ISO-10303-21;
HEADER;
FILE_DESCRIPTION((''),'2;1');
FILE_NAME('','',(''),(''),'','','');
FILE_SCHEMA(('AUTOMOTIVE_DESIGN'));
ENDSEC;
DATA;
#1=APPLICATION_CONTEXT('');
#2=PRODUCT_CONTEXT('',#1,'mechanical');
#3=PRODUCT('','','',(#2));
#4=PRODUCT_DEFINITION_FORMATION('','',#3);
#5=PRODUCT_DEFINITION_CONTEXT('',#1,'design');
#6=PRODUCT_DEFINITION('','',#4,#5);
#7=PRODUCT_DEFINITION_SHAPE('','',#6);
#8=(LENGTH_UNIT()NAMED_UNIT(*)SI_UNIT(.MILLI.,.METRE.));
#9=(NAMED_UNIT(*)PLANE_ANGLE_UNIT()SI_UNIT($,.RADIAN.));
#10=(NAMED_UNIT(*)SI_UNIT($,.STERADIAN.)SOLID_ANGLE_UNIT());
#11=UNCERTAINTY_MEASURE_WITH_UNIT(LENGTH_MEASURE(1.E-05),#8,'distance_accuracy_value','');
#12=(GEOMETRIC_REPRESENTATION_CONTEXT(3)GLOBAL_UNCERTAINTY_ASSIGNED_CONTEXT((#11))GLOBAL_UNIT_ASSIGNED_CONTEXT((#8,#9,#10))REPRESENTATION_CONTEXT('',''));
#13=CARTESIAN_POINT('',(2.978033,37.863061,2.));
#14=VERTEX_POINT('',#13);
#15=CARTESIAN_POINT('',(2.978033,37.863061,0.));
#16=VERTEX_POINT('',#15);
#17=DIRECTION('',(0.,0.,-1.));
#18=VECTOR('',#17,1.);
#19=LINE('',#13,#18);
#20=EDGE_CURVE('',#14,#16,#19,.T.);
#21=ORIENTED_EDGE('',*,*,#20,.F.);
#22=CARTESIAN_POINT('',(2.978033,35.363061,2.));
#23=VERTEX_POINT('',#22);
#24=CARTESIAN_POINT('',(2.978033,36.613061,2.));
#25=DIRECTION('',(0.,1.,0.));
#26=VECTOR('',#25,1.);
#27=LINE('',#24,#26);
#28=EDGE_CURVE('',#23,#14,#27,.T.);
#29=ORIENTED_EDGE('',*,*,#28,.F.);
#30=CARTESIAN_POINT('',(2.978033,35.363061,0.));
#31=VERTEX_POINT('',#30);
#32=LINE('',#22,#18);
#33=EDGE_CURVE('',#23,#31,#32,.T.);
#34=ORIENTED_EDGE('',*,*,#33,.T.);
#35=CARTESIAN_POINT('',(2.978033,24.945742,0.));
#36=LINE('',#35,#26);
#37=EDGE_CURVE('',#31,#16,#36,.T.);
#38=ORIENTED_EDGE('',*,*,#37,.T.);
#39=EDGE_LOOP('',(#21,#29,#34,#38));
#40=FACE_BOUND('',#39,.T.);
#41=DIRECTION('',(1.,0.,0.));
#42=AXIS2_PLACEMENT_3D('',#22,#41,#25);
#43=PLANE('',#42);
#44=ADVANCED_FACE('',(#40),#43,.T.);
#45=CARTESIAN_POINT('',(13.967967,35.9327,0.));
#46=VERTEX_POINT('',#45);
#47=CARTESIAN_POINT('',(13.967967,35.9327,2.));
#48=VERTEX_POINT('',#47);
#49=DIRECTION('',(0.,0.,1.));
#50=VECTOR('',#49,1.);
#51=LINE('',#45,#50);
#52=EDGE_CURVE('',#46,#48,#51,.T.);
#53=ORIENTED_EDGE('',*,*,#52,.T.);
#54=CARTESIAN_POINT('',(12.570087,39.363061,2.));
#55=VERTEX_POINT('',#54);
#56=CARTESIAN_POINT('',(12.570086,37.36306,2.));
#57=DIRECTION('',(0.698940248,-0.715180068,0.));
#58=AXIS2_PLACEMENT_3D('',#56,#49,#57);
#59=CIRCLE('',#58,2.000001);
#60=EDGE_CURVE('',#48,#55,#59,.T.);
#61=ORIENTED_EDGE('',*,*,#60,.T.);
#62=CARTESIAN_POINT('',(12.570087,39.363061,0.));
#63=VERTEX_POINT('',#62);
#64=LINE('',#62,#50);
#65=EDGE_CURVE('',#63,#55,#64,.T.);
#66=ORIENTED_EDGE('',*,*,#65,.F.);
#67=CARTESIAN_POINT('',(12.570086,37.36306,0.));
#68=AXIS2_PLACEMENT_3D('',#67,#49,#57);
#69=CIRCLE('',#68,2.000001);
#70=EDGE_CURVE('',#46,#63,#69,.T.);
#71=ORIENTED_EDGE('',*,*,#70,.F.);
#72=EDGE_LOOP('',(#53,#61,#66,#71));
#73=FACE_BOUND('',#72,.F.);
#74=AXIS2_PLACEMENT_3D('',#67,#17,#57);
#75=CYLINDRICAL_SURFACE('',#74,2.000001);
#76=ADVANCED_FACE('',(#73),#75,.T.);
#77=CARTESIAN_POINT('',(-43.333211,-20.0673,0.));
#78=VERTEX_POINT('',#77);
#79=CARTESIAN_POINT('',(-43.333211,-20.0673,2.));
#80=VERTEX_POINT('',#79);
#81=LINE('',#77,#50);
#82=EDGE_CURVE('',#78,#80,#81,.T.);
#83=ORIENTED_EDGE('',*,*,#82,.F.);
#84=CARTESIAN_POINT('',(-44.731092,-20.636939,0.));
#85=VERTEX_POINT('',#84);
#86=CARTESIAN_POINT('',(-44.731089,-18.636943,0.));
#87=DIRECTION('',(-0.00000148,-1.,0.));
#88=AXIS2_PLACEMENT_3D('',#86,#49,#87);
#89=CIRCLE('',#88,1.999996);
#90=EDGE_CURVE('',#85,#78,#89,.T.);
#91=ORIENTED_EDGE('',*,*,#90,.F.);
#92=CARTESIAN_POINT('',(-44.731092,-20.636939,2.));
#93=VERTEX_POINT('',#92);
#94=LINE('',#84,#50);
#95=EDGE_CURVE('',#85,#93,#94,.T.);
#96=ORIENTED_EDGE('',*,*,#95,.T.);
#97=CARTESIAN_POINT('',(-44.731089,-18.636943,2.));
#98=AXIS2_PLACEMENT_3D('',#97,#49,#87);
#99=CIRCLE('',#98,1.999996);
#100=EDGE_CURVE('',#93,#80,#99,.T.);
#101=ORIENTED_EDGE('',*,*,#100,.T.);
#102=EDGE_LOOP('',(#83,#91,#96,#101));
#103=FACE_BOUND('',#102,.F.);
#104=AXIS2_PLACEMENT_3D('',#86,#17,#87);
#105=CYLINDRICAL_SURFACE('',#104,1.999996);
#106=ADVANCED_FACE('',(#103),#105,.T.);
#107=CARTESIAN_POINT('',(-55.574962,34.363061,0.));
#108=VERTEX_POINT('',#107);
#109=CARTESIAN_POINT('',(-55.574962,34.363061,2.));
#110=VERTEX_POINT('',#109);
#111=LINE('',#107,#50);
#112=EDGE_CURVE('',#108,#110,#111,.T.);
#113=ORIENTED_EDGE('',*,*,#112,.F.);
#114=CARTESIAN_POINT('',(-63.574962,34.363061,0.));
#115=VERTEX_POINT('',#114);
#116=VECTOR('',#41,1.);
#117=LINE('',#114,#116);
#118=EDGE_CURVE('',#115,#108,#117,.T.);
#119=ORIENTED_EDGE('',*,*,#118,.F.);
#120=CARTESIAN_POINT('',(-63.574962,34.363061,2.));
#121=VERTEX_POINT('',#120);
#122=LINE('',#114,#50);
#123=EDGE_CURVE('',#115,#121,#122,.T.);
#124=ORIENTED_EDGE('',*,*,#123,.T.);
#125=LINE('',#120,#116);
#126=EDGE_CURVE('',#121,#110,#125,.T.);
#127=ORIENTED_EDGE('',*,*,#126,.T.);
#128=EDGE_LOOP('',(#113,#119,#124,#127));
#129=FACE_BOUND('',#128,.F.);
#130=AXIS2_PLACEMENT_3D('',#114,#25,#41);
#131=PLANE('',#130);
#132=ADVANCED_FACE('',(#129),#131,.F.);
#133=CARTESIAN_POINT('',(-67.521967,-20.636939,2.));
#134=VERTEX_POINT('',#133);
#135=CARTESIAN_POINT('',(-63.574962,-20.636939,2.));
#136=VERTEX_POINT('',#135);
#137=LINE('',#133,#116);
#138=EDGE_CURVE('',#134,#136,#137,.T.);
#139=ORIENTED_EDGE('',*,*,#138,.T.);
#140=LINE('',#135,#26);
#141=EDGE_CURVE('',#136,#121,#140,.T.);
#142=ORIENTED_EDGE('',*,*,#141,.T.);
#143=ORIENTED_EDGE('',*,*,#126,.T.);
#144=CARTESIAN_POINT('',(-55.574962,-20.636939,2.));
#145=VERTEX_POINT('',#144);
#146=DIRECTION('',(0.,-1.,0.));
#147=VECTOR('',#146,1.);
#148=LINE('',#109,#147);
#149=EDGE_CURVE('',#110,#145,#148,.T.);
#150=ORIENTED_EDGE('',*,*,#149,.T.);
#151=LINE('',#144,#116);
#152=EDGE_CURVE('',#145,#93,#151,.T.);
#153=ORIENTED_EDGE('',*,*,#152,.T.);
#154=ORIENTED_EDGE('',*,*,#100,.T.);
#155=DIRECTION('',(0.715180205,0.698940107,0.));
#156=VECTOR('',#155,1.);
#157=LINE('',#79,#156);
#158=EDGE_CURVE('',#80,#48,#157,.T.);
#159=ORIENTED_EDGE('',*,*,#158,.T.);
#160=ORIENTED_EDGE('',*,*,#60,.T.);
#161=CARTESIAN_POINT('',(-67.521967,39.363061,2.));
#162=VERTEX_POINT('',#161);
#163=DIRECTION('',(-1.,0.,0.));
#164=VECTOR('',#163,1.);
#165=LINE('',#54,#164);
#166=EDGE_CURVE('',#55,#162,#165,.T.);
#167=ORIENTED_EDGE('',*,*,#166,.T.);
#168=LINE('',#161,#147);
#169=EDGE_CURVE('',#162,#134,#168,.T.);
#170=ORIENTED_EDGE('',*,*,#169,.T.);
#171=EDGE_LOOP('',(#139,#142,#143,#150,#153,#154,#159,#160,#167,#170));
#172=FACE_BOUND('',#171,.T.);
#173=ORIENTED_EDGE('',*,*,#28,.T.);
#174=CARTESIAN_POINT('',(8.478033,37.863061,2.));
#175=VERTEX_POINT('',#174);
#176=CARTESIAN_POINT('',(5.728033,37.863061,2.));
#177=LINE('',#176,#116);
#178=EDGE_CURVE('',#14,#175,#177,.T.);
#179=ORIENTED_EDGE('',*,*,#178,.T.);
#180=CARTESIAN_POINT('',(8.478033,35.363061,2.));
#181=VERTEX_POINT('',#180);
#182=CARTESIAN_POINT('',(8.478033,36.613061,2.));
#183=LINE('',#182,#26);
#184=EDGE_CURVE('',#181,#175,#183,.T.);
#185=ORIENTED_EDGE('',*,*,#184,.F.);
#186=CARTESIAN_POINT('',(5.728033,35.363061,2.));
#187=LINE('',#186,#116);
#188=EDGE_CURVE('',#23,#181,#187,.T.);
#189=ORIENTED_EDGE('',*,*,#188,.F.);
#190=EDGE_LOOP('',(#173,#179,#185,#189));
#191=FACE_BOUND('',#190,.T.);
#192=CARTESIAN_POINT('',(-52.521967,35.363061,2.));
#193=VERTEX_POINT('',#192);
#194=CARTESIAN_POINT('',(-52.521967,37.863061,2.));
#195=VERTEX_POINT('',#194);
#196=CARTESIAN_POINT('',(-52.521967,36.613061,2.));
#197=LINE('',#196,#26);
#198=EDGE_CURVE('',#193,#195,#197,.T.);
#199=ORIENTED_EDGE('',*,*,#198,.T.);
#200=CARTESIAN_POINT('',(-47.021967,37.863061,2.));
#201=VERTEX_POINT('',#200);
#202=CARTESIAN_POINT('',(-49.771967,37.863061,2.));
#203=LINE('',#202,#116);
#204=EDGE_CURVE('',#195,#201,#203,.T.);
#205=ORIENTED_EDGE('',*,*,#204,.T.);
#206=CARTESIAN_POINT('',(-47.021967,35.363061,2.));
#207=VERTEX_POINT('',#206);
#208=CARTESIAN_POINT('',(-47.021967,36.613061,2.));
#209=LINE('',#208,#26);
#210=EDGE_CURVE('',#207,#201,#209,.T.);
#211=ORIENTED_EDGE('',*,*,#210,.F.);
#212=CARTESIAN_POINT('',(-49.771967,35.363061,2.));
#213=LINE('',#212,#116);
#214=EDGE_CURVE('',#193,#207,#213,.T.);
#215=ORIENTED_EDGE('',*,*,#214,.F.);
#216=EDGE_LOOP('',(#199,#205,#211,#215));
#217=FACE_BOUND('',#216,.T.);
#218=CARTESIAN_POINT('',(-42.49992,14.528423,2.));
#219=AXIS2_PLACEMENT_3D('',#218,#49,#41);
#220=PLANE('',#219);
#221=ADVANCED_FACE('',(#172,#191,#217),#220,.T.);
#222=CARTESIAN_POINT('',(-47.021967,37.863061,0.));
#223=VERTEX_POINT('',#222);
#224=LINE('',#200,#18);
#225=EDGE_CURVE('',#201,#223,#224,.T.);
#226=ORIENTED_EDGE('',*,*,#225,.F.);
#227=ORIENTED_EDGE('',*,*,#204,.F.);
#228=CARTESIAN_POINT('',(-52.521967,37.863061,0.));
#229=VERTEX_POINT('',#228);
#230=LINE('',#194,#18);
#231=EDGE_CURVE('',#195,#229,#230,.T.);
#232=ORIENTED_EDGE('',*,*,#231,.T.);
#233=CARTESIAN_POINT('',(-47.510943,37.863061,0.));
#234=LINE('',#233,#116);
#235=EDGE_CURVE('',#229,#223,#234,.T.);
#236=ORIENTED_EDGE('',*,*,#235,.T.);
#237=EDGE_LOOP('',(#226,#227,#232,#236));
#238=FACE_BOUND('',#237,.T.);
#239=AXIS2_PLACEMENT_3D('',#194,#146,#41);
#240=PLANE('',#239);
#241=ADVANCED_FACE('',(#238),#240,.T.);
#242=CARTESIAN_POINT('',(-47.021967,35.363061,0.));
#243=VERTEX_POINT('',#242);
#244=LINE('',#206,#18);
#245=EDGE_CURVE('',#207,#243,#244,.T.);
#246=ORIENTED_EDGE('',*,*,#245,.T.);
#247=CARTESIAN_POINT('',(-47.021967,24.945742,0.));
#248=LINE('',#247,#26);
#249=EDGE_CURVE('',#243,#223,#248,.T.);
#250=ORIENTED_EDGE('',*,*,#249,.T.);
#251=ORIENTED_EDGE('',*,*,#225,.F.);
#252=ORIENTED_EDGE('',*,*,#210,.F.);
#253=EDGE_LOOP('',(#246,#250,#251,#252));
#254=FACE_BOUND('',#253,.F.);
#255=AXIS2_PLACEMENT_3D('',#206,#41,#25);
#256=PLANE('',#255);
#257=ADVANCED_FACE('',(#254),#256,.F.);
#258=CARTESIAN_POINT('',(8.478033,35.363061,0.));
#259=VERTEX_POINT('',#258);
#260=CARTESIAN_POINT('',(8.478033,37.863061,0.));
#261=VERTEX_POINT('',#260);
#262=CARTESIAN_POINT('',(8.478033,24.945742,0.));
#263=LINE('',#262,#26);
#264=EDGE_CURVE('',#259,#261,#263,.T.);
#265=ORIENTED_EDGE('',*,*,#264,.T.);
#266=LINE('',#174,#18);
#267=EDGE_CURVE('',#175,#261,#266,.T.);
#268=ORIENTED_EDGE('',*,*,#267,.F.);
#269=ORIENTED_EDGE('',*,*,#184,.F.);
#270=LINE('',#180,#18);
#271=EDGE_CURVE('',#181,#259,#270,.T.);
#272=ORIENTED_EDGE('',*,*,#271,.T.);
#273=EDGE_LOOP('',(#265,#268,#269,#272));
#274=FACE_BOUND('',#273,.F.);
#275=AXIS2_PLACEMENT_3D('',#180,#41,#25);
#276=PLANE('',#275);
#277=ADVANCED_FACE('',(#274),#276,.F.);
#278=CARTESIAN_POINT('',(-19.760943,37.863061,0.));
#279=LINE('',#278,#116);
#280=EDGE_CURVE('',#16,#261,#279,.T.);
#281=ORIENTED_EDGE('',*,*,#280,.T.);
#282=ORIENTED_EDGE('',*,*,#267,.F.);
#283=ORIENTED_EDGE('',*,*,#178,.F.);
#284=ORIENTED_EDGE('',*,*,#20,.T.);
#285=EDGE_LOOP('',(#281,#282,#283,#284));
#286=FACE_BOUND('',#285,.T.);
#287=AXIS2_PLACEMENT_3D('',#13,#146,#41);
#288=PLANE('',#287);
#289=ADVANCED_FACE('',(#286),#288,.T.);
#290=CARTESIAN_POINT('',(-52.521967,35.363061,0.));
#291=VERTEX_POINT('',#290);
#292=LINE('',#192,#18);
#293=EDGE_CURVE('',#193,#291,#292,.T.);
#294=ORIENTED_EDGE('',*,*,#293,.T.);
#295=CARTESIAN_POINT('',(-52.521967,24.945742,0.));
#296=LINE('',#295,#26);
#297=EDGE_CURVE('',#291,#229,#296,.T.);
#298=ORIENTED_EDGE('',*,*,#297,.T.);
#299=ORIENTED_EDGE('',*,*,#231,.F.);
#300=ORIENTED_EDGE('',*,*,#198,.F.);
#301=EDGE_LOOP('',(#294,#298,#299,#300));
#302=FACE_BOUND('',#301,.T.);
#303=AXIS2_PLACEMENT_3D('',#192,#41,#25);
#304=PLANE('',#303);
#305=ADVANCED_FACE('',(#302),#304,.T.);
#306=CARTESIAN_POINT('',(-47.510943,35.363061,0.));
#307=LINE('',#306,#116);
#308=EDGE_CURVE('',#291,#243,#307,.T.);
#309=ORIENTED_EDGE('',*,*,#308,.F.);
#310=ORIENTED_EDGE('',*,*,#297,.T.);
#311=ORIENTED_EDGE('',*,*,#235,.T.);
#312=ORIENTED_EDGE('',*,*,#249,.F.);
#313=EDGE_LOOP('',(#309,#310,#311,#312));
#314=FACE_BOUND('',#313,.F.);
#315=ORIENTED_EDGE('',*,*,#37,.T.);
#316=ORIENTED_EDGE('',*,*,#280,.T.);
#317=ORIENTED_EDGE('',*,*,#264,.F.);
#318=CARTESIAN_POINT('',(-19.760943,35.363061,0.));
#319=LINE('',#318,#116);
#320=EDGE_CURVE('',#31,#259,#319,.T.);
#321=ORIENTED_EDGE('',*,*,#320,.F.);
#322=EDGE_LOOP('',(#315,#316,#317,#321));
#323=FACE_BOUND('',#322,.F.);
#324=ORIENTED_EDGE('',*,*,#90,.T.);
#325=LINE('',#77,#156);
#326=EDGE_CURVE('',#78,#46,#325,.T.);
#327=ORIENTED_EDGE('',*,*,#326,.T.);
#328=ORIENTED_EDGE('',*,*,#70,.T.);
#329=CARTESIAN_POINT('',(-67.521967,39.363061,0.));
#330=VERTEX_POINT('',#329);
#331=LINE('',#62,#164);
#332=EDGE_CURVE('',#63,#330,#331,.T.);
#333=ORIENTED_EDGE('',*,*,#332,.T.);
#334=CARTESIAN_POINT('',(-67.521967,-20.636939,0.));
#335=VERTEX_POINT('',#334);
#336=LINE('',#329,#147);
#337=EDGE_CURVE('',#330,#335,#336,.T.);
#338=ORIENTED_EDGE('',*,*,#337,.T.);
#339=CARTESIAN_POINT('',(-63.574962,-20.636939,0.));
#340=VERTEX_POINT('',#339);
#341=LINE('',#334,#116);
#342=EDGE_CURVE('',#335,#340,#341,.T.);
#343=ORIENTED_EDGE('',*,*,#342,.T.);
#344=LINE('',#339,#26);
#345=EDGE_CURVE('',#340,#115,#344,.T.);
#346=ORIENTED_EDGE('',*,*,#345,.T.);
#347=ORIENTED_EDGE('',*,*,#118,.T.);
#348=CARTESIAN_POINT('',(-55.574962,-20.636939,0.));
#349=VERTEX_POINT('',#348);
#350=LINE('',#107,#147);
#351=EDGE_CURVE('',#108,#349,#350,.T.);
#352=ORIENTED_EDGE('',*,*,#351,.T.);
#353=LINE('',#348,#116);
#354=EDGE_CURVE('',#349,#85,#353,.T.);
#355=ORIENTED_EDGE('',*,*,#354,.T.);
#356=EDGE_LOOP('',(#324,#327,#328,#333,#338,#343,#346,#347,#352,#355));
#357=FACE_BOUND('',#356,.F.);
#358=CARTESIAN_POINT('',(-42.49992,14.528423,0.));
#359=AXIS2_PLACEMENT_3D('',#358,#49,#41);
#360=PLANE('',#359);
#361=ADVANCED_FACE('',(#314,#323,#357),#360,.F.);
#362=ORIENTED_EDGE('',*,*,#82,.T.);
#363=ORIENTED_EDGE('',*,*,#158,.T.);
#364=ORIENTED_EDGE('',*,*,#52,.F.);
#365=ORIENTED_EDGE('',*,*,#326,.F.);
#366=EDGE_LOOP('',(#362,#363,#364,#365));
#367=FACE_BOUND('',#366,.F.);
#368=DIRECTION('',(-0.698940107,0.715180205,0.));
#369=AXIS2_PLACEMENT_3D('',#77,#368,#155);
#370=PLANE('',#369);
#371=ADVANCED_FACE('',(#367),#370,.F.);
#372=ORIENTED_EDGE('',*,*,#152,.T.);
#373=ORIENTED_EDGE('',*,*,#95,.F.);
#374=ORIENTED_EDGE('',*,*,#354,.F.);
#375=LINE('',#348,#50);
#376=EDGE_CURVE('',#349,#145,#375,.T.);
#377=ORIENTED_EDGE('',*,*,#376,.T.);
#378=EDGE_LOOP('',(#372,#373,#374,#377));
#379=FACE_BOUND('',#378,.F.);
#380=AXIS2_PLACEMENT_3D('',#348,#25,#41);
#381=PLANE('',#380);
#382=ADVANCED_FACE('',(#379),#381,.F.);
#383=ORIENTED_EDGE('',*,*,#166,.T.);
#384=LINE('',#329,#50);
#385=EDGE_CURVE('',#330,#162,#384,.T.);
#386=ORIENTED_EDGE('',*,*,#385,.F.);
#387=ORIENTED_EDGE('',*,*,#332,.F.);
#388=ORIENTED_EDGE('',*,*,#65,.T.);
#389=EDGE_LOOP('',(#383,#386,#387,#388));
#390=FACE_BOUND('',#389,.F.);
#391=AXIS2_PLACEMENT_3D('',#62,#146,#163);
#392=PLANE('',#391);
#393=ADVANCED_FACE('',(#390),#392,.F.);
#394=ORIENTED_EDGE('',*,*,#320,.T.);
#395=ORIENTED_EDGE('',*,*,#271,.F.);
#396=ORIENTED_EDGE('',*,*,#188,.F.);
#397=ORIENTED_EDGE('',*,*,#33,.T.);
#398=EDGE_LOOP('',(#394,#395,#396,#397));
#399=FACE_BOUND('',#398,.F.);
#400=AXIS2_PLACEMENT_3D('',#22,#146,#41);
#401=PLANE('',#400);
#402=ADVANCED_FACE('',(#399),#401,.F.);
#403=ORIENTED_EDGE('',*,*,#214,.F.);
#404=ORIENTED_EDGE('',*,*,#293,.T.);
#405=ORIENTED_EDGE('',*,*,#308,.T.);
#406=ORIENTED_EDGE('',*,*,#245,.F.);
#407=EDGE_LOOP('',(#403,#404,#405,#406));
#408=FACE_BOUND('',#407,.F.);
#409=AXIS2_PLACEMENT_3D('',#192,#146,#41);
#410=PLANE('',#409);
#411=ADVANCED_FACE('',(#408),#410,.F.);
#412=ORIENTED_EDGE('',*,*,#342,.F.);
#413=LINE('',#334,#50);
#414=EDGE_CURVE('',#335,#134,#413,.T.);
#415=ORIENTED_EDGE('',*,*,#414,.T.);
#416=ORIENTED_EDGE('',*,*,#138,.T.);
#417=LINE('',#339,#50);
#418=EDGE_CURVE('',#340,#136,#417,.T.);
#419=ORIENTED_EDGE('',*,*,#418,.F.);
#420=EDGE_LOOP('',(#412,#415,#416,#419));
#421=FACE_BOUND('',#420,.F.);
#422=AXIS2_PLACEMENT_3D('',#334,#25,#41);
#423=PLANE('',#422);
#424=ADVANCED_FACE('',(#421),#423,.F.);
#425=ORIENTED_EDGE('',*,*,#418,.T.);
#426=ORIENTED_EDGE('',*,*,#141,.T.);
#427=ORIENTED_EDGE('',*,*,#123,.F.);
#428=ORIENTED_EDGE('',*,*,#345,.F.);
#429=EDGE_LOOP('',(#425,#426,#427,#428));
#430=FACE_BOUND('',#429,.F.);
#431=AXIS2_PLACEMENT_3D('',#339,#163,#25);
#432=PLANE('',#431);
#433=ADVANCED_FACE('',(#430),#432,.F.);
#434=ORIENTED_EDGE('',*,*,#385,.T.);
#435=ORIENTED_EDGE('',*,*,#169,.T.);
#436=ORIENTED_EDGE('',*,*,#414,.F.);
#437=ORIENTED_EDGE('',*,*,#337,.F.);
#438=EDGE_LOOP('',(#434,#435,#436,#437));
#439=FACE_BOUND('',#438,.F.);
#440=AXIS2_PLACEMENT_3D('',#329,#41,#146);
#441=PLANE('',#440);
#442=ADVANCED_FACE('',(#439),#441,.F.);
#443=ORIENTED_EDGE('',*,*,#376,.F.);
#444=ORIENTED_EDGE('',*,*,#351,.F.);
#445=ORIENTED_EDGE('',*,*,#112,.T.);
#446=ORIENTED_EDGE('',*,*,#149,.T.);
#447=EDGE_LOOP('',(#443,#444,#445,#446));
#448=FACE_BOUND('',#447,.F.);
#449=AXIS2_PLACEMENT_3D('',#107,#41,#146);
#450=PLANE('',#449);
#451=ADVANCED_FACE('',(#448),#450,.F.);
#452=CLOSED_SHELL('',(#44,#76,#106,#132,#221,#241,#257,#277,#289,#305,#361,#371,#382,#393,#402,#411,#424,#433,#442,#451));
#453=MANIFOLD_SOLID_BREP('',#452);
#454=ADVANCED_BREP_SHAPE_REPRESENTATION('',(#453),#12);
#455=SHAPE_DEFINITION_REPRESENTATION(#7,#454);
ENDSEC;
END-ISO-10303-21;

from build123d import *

# Parameters (mm, degrees)
F1_DEPTH = 2
F2_W     = 5.5
F2_H     = 2.5
F3_DEPTH = 25


with BuildPart() as f1:
    # F0 (on Top) → F1 (new body)
    with BuildSketch(Plane.XY):
        with BuildLine():
            Line((12.570087, 39.363061), (-67.521967, 39.363061))
            Line((-67.521967, 39.363061), (-67.521967, -20.636939))
            Line((-67.521967, -20.636939), (-63.574962, -20.636939))
            Line((-63.574962, -20.636939), (-63.574962, 34.363061))
            Line((-63.574962, 34.363061), (-55.574962, 34.363061))
            Line((-55.574962, 34.363061), (-55.574962, -20.636939))
            Line((-55.574962, -20.636939), (-44.731092, -20.636939))
            ThreePointArc((-44.731092, -20.636939), (-43.976347, -20.489063), (-43.333211, -20.0673))
            Line((-43.333211, -20.0673), (13.967967, 35.9327))
            ThreePointArc((13.967967, 35.9327), (14.42221, 38.117805), (12.570087, 39.363061))
        make_face()
    extrude(amount=F1_DEPTH)

    # F2 (on face) → F3 (cut)
    with BuildSketch(Plane.XY.offset(2)):
        with Locations((-49.771967, 36.613061)):
            Rectangle(F2_W, F2_H)
        with Locations((5.728033, 36.613061)):
            Rectangle(F2_W, F2_H)
    extrude(amount=-F3_DEPTH, mode=Mode.SUBTRACT)


solid = f1.part
